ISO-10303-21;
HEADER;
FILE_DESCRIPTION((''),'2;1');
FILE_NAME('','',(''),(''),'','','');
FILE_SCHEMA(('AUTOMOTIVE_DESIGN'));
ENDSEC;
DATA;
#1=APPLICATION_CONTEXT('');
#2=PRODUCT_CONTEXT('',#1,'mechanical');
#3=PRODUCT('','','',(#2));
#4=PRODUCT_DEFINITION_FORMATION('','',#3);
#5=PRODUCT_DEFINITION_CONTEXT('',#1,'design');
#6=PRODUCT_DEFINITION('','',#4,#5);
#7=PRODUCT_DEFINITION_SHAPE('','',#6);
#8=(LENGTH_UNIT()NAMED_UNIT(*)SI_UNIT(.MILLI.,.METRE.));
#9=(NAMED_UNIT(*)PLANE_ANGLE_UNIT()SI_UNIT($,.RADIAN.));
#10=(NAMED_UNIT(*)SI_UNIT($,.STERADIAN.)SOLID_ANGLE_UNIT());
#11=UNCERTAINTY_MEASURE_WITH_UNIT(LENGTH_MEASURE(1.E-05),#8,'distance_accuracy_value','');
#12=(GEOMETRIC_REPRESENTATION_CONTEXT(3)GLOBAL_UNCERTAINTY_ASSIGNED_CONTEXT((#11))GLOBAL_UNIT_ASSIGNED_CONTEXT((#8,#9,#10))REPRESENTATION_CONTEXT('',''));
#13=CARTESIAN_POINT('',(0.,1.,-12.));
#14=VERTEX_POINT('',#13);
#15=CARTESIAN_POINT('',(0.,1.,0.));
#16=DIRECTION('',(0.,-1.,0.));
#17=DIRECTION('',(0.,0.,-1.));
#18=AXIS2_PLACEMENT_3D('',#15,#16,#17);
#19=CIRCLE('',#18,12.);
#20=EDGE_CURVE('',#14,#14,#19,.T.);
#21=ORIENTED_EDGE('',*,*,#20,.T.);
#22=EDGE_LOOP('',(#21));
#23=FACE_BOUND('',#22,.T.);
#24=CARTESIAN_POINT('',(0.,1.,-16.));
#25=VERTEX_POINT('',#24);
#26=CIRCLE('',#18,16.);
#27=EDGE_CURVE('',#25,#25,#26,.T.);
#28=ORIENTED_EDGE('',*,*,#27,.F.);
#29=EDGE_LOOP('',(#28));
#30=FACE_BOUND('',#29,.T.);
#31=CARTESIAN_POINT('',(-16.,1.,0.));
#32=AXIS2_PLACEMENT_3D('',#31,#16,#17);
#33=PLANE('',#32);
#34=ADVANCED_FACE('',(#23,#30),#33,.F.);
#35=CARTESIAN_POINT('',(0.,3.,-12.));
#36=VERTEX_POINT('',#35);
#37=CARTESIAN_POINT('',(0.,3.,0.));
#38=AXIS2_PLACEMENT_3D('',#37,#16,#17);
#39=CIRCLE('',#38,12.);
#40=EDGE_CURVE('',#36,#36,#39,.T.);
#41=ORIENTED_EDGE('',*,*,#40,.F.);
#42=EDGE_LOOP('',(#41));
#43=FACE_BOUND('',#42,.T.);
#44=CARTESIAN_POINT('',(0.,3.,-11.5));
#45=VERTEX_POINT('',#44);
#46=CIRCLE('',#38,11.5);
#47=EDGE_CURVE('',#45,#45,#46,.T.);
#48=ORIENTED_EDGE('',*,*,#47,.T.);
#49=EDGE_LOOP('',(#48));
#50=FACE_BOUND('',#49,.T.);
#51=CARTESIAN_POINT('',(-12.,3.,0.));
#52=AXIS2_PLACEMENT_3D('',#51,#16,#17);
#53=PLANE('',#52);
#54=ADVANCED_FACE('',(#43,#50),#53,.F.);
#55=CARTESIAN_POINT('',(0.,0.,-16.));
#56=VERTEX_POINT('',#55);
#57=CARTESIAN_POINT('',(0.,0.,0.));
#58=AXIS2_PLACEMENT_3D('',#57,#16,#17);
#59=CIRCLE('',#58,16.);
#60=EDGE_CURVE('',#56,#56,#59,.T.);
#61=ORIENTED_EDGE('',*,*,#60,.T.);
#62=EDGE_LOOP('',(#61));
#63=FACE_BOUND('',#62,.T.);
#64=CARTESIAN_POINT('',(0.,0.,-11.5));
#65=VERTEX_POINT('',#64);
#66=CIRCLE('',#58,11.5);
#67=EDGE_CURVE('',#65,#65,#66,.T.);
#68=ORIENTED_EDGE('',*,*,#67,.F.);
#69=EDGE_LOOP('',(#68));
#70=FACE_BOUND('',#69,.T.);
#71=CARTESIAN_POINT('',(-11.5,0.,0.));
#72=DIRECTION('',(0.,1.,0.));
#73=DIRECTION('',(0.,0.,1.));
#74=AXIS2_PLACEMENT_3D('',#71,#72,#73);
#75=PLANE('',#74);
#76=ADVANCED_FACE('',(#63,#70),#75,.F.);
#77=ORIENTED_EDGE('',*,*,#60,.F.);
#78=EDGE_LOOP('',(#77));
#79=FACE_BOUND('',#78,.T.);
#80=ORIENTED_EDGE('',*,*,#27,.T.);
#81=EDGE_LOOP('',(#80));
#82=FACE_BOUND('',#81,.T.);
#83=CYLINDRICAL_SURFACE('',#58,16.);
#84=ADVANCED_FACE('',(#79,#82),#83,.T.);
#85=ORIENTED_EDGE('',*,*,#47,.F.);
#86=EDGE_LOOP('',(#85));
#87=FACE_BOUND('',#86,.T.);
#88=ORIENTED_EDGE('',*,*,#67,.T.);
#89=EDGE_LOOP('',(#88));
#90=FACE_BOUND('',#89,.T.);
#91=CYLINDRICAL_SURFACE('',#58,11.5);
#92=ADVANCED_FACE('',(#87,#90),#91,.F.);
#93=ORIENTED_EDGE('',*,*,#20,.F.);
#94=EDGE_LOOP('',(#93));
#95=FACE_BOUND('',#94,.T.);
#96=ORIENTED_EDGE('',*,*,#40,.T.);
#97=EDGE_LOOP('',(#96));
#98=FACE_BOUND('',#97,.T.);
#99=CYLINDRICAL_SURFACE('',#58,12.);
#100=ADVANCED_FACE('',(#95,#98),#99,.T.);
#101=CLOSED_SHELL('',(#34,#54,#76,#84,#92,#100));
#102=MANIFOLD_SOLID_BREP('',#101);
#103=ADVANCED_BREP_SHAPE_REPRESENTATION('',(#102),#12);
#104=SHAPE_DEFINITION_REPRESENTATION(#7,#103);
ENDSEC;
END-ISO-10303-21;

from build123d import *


with BuildPart() as part:
    # Sketch1 → Revolve1 (revolve)
    with BuildSketch(Plane.XY, mode=Mode.PRIVATE) as revolve1_sk:
        Polygon((-11.5, 0), (-16, 0), (-16, 1), (-12, 1), (-12, 3), (-11.5, 3), align=None)
    revolve(revolve1_sk.sketch.rotate(Axis((0, 0, 0), (0, 1, 0)), 270), axis=Axis((0, 0, 0), (0, 1, 0)))


solid = part.part
